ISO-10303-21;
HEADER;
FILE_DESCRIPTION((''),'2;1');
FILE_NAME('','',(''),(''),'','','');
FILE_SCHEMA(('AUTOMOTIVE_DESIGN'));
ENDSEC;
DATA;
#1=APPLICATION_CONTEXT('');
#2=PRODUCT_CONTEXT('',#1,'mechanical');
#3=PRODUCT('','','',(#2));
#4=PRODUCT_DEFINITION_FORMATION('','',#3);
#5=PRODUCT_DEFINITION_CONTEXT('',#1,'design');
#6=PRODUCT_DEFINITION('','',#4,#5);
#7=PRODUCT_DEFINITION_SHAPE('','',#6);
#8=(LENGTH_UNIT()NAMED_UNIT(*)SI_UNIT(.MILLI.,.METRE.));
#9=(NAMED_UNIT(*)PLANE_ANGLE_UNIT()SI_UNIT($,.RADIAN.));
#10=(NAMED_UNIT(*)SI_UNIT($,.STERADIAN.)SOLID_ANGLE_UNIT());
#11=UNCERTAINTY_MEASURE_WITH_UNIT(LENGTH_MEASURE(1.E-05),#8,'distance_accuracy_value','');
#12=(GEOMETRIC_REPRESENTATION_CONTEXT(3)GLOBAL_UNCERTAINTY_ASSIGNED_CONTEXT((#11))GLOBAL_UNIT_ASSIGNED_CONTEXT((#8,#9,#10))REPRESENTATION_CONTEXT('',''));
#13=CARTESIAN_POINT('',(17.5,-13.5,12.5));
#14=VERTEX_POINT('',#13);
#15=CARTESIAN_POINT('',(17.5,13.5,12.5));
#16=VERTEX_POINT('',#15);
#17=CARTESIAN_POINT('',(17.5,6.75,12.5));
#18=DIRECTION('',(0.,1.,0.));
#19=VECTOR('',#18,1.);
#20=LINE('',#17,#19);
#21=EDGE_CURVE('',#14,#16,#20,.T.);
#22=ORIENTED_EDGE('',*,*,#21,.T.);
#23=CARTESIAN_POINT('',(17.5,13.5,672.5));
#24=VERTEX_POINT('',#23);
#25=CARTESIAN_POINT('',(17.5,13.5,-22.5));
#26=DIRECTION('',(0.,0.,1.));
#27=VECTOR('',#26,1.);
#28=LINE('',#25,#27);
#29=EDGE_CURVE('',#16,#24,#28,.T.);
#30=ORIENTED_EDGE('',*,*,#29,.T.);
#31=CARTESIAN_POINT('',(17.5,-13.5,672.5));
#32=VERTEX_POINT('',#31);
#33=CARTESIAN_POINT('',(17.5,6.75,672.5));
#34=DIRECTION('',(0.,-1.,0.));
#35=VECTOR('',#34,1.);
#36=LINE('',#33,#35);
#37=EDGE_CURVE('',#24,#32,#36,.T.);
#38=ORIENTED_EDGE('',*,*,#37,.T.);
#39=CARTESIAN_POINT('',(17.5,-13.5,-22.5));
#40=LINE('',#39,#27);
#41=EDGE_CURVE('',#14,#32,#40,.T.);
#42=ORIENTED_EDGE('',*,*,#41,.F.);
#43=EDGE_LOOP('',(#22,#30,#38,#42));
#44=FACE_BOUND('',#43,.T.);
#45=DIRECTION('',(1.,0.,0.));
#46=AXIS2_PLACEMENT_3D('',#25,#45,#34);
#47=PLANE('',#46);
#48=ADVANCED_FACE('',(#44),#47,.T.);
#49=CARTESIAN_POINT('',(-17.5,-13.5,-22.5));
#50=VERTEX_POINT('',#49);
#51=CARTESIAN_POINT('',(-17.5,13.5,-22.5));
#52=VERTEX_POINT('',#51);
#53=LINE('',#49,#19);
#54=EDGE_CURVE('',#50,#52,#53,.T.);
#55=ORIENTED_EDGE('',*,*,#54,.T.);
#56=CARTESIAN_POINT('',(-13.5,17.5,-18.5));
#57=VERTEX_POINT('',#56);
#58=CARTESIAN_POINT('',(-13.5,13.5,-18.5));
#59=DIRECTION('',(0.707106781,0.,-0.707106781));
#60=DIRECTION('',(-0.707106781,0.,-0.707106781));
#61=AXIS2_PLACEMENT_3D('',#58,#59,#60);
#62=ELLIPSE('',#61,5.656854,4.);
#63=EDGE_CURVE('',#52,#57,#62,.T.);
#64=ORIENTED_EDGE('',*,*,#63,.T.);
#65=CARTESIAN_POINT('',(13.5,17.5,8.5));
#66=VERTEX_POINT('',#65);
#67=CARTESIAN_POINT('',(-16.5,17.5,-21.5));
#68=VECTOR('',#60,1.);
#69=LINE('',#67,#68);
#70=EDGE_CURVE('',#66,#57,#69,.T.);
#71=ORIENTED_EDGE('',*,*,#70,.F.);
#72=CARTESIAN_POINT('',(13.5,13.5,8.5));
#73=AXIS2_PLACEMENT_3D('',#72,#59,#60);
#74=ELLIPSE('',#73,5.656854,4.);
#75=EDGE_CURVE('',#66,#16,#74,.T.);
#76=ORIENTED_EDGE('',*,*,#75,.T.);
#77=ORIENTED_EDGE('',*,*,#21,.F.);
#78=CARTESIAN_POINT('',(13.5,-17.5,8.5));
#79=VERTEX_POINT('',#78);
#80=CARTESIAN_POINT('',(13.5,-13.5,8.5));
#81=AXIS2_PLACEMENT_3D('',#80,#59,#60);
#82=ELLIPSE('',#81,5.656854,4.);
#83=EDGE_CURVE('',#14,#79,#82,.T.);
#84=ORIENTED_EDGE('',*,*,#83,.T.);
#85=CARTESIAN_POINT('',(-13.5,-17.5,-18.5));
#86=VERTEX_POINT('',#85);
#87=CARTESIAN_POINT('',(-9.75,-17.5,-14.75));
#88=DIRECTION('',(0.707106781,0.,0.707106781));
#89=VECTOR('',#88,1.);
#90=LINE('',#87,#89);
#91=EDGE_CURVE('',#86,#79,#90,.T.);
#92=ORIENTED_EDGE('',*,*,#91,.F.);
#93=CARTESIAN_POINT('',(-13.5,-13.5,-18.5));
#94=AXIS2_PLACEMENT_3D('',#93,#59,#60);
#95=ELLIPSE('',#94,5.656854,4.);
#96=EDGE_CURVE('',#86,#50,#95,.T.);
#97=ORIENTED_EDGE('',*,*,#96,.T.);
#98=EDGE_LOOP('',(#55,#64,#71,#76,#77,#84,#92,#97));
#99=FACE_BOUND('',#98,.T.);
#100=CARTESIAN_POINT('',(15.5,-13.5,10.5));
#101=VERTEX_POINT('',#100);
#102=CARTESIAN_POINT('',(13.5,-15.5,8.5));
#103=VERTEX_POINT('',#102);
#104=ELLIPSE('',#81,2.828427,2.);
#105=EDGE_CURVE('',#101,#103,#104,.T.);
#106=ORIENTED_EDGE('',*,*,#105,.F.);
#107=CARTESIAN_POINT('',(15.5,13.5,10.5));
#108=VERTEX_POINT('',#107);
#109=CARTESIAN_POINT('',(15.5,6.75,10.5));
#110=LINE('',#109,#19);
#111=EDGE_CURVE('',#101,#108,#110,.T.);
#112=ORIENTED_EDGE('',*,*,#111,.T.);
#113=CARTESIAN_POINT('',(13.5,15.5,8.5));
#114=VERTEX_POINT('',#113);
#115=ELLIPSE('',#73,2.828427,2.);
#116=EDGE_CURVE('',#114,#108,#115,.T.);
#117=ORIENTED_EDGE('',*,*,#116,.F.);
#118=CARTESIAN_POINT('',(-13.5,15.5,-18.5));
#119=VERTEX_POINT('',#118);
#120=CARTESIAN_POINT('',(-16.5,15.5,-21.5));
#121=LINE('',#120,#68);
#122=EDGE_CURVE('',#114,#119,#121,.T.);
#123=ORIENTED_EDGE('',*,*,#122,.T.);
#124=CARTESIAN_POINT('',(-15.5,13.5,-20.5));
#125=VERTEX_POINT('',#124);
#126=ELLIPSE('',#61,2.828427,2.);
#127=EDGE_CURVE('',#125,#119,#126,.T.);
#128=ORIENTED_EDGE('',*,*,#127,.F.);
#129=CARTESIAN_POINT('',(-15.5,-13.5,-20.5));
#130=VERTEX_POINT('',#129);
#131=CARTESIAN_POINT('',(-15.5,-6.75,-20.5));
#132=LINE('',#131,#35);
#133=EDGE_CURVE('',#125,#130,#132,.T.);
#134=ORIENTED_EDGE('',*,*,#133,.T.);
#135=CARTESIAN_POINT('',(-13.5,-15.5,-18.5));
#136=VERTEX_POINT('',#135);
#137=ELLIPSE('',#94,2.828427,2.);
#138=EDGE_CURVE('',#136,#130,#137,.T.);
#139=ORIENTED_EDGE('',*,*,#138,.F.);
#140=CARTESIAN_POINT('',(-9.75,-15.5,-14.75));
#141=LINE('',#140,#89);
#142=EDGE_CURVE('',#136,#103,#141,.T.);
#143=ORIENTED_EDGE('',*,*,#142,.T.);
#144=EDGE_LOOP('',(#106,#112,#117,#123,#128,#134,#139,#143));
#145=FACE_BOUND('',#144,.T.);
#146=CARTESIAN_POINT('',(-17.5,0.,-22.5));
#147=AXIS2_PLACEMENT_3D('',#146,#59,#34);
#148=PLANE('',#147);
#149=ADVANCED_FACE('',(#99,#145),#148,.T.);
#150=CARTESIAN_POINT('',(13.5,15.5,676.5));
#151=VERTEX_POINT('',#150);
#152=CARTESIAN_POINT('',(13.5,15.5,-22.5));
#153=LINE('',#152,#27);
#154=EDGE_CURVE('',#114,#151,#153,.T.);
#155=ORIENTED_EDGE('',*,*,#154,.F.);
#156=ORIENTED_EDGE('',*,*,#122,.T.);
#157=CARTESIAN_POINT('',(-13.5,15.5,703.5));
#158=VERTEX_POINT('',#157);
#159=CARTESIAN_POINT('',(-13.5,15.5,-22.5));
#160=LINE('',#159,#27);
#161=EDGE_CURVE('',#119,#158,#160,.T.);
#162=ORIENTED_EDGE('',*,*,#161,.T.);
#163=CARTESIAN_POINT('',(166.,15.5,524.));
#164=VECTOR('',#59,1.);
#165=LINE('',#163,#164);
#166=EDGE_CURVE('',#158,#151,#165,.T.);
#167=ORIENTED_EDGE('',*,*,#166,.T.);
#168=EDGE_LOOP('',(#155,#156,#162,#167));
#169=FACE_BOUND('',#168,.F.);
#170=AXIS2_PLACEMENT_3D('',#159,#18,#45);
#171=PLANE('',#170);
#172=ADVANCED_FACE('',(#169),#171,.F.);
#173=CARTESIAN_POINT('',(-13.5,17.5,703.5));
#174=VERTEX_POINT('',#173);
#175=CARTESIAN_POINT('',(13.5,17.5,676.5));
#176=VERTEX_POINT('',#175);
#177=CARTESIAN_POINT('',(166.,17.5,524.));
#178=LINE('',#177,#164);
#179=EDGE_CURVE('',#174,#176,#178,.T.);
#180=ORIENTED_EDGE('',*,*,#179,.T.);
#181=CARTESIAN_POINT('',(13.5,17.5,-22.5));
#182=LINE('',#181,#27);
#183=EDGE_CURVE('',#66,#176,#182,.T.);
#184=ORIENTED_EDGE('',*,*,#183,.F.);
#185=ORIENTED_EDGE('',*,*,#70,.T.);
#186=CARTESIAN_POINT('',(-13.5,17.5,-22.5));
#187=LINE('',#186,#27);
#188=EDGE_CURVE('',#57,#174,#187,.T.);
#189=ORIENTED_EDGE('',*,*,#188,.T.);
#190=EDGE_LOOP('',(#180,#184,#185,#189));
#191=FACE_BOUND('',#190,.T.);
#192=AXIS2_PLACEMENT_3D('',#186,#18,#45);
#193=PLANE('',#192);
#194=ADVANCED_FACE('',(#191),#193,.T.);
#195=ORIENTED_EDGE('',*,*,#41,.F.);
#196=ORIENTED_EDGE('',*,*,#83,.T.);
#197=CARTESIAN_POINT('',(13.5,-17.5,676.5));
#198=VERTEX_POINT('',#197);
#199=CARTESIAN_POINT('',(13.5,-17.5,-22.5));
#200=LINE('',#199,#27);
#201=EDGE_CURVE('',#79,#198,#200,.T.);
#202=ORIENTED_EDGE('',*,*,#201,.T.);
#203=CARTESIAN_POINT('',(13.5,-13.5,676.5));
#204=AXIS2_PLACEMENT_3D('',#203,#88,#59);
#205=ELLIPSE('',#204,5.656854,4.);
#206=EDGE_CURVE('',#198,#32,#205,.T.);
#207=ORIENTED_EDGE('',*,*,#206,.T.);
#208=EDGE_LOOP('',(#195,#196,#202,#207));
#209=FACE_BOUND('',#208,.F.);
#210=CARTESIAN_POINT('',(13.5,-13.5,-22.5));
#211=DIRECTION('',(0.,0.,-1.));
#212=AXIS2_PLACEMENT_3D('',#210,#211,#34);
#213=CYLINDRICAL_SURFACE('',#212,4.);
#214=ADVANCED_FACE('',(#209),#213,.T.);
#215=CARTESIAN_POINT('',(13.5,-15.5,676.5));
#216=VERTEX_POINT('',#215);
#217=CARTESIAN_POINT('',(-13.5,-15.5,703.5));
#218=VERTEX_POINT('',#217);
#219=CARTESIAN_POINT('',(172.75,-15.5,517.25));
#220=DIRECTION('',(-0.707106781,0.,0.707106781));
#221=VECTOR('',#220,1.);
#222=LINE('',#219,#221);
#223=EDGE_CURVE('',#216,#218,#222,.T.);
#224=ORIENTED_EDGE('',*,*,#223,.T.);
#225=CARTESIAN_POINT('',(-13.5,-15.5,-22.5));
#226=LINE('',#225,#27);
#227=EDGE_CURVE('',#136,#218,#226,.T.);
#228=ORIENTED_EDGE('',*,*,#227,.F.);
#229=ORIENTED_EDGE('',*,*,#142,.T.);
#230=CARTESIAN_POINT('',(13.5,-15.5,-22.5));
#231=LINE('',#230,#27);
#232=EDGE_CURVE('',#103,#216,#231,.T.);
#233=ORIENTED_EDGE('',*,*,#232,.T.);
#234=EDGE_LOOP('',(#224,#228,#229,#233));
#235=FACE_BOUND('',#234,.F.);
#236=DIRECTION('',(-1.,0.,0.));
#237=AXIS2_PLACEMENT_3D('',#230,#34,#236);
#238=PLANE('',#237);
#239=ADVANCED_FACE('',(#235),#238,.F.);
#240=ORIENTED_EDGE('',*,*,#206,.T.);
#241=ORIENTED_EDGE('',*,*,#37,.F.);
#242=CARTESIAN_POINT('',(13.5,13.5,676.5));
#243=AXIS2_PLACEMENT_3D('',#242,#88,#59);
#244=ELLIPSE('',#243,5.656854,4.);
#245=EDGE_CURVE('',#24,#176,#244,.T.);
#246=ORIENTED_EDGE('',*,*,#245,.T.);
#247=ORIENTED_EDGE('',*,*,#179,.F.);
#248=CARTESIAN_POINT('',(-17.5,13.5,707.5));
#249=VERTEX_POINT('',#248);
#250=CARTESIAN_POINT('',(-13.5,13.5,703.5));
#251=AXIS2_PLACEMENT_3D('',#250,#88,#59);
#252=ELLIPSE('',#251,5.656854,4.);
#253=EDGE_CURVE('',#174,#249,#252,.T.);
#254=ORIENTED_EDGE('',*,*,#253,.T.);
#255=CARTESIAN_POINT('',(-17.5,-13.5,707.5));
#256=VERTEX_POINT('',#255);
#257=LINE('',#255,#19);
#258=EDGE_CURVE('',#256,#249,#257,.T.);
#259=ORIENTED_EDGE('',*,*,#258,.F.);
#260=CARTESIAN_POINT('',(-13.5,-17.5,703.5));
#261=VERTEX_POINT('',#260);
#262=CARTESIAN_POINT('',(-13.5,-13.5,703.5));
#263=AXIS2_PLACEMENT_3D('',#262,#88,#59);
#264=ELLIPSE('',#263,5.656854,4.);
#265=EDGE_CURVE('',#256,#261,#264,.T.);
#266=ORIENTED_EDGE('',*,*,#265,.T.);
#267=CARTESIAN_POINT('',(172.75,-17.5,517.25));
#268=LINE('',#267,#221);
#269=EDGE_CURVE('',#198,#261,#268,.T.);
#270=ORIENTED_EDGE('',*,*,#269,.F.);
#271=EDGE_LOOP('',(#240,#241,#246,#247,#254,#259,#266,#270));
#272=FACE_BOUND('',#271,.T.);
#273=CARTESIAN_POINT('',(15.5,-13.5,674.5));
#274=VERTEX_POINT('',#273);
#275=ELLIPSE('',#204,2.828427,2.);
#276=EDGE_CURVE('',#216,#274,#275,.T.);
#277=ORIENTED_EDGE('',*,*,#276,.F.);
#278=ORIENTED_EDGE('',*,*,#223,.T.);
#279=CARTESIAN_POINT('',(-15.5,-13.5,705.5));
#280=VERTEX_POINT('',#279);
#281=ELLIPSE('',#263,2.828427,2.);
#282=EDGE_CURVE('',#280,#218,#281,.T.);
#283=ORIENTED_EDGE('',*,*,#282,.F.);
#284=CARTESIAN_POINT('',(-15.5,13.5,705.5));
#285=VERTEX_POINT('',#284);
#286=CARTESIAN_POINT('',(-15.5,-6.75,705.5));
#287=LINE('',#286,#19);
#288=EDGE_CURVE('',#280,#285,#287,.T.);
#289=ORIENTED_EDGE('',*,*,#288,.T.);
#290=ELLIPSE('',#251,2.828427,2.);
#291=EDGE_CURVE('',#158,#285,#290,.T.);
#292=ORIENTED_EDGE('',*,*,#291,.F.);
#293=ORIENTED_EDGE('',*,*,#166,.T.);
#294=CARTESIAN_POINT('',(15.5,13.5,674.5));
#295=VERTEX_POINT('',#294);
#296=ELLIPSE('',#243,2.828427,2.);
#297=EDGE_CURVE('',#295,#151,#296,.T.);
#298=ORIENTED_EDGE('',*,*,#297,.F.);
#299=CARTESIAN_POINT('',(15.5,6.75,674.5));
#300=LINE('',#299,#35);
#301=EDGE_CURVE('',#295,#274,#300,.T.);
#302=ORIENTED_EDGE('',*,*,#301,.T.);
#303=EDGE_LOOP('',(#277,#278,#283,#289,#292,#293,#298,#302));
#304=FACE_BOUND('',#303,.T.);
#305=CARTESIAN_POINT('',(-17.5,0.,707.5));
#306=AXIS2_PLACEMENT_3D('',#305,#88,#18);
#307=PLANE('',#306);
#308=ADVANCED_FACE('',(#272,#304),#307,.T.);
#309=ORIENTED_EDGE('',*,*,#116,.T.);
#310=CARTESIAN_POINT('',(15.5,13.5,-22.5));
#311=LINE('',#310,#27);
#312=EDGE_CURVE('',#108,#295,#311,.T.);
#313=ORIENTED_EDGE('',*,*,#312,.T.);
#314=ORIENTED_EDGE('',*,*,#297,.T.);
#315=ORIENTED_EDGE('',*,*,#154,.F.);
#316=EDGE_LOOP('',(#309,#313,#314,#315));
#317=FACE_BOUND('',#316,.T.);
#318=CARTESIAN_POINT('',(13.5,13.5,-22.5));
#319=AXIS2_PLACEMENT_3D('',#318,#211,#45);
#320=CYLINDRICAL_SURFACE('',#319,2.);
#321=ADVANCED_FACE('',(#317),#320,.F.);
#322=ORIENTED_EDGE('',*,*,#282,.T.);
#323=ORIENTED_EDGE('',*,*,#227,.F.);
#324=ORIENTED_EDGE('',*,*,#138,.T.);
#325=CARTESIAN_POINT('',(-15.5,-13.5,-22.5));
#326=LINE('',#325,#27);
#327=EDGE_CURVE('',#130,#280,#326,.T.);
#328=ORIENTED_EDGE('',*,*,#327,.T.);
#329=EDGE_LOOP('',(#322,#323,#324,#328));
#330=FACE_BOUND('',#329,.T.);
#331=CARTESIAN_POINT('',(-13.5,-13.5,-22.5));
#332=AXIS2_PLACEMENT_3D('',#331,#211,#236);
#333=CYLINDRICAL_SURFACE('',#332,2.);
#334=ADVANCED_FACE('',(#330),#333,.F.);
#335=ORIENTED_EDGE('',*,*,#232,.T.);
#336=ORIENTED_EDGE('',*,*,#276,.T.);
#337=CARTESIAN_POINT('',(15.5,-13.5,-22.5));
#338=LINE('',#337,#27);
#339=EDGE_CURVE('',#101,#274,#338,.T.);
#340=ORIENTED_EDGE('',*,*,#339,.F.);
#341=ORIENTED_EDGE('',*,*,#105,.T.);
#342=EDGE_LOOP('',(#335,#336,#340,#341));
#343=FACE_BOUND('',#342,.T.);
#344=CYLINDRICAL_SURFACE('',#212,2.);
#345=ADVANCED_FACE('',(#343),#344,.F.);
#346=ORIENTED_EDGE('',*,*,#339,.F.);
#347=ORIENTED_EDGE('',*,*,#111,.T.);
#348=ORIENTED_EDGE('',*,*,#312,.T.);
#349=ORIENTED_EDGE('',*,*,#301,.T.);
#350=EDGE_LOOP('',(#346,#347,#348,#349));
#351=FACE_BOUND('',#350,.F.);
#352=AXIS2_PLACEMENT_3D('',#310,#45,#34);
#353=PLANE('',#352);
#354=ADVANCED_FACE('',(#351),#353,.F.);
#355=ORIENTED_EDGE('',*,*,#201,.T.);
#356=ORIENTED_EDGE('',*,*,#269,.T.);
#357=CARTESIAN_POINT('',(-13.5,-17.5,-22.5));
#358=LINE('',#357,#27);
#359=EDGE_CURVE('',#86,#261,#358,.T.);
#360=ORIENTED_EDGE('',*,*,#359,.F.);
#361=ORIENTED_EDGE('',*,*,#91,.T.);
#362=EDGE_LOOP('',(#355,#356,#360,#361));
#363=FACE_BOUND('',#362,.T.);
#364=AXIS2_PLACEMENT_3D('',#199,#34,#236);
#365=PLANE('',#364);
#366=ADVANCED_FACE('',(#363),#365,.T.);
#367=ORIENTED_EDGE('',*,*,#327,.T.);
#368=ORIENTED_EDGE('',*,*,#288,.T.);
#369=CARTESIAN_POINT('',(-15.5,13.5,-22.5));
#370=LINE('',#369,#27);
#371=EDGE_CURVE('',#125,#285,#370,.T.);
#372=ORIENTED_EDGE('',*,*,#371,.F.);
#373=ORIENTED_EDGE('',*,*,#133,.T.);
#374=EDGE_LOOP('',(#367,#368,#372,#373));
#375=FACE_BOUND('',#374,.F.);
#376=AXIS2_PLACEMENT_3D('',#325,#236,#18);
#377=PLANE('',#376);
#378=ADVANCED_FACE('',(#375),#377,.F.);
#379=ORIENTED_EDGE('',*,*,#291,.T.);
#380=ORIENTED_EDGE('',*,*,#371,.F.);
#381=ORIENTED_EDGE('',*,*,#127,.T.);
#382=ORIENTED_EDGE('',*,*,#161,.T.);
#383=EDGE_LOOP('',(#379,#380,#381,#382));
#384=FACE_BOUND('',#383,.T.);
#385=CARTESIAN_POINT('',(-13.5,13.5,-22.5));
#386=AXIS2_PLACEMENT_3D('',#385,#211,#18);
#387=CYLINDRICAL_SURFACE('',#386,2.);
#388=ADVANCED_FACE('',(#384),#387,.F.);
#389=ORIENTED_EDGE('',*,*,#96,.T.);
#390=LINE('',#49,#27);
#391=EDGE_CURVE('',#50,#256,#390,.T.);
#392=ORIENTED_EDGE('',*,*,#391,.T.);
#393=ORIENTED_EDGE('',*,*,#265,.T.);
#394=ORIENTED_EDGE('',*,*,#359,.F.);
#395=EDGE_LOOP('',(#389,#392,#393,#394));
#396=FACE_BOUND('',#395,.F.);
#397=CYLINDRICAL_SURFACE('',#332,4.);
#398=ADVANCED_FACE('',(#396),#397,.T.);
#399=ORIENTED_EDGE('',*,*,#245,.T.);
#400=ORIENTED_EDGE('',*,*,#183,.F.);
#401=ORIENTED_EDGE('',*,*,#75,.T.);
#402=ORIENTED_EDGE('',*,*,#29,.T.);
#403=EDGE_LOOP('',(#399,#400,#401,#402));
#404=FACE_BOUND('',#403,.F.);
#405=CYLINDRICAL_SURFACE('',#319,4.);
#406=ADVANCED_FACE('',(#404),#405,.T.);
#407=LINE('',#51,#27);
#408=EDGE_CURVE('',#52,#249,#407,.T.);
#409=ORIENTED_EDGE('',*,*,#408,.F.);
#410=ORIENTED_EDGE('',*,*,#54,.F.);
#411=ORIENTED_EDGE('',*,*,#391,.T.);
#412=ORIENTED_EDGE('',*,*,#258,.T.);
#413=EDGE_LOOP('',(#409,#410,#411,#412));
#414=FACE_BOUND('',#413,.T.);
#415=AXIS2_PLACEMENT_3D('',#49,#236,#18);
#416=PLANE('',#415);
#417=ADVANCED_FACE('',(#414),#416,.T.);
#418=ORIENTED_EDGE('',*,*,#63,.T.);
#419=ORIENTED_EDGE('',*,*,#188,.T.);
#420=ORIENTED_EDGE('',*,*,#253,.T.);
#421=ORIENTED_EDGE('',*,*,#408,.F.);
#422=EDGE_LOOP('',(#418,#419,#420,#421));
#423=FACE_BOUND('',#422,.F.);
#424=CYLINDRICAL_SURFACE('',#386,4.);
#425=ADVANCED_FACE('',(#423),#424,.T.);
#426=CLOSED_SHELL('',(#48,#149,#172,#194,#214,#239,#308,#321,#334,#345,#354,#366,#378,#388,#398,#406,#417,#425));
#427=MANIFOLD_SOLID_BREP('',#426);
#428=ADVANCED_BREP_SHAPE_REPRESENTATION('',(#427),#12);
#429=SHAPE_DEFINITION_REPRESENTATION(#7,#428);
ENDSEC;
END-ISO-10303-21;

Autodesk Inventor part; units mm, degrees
ref_plane "Start plane" through (0, 0, -22.5) normal (0, 0, 1) x (1, 0, 0)
ref_plane "End plane" through (0, 0, 707.5) normal (0, 0, 1) x (1, 0, 0)
sketch "Sketch" plane through (0, 0, 0) normal (0, 0, 1) x (1, 0, 0)
  line L0 (-17.5, -13.5) -> (-17.5, 13.5)
  line L1 (-13.5, 17.5) -> (13.5, 17.5)
  line L2 (17.5, 13.5) -> (17.5, -13.5)
  line L3 (13.5, -17.5) -> (-13.5, -17.5)
  arc A0 (-17.5, -13.5) -> (-13.5, -17.5) centre (-13.5, -13.5) ccw
  arc A1 (-13.5, 17.5) -> (-17.5, 13.5) centre (-13.5, 13.5) ccw
  arc A2 (17.5, 13.5) -> (13.5, 17.5) centre (13.5, 13.5) ccw
  arc A3 (13.5, -17.5) -> (17.5, -13.5) centre (13.5, -13.5) ccw
  arc A4 (-13.5, 15.5) -> (-15.5, 13.5) centre (-13.5, 13.5) ccw
  line L4 (-13.5, 15.5) -> (13.5, 15.5)
  arc A5 (15.5, 13.5) -> (13.5, 15.5) centre (13.5, 13.5) ccw
  line L5 (15.5, 13.5) -> (15.5, -13.5)
  arc A6 (13.5, -15.5) -> (15.5, -13.5) centre (13.5, -13.5) ccw
  line L6 (13.5, -15.5) -> (-13.5, -15.5)
  arc A7 (-15.5, -13.5) -> (-13.5, -15.5) centre (-13.5, -13.5) ccw
  line L7 (-15.5, -13.5) -> (-15.5, 13.5)
  line L8 (0, 25.6598) -> (0, -25.6598) construction
  line L9 (-25.6598, 0) -> (25.6598, 0) construction
  dimension "d7" = 4
  dimension "d10" = 35
  dimension "d11" = 35
  dimension "d12" = 2
  dimension "d15" = 17.5
  dimension "d16" = 17.5
extrude "Body" add sketch "Sketch" along normal up to surface (730 mm away) from surface at -22.5
sketch "Sketch3" plane through (0, 0, 0) normal (0, 0, 1) x (1, 0, 0)
  line L0 (0, 0) -> (10, 0)
ref_plane "Work Plane3" through (0, 0, 0) normal (0, -1, 0) x (1, 0, 0)
sketch "Sketch4" plane through (0, 0, 0) normal (0, -1, 0) x (1, 0, 0)
  line L0 (-2, -22.5) -> (12, -22.5)
  line L1 (-2, 707.5) -> (12, 707.5)
  dimension "d18" = 730
ref_plane "Work Plane8" through (-17.5, 0, -22.5) normal (0.7071, 0, -0.7071) x (-0.7071, 0, -0.7071)
split "Split5" plane through (-17.5, 0, -22.5) removes the side toward (0.7071, 0, -0.7071)
ref_plane "Work Plane9" through (-17.5, 0, 707.5) normal (0.7071, 0, 0.7071) x (0.7071, 0, -0.7071)
split "Split6" plane through (-17.5, 0, 707.5) removes the side toward (0.7071, 0, 0.7071)
equation "\"d7\" = G_IR"
equation "\"d10\" = G_H"
equation "\"d11\" = G_W"
equation "\"d12\" = G_T"
equation "\"d15\" = 0.5 * d10"
equation "\"d16\" = 0.5 * d11"
equation "\"d3\" = G_L"
equation "\"G_W\" = 35"
equation "\"G_H\" = 35"
equation "\"G_T\" = 2"
equation "\"G_IR\" = 4"
equation "\"G_L\" = 730"
equation "\"G_OFFSET_START\" = 22.5"
equation "\"G_OFFSET_END\" = 22.5"
equation "\"d13\" = -G_OFFSET_START"
equation "\"d14\" = G_OFFSET_END + B_L"
equation "\"B_L\" = 685"
properties part number "AS 1163 - C350L0 35x35x2.0 SHS - 725" material "Steel, Mild"
